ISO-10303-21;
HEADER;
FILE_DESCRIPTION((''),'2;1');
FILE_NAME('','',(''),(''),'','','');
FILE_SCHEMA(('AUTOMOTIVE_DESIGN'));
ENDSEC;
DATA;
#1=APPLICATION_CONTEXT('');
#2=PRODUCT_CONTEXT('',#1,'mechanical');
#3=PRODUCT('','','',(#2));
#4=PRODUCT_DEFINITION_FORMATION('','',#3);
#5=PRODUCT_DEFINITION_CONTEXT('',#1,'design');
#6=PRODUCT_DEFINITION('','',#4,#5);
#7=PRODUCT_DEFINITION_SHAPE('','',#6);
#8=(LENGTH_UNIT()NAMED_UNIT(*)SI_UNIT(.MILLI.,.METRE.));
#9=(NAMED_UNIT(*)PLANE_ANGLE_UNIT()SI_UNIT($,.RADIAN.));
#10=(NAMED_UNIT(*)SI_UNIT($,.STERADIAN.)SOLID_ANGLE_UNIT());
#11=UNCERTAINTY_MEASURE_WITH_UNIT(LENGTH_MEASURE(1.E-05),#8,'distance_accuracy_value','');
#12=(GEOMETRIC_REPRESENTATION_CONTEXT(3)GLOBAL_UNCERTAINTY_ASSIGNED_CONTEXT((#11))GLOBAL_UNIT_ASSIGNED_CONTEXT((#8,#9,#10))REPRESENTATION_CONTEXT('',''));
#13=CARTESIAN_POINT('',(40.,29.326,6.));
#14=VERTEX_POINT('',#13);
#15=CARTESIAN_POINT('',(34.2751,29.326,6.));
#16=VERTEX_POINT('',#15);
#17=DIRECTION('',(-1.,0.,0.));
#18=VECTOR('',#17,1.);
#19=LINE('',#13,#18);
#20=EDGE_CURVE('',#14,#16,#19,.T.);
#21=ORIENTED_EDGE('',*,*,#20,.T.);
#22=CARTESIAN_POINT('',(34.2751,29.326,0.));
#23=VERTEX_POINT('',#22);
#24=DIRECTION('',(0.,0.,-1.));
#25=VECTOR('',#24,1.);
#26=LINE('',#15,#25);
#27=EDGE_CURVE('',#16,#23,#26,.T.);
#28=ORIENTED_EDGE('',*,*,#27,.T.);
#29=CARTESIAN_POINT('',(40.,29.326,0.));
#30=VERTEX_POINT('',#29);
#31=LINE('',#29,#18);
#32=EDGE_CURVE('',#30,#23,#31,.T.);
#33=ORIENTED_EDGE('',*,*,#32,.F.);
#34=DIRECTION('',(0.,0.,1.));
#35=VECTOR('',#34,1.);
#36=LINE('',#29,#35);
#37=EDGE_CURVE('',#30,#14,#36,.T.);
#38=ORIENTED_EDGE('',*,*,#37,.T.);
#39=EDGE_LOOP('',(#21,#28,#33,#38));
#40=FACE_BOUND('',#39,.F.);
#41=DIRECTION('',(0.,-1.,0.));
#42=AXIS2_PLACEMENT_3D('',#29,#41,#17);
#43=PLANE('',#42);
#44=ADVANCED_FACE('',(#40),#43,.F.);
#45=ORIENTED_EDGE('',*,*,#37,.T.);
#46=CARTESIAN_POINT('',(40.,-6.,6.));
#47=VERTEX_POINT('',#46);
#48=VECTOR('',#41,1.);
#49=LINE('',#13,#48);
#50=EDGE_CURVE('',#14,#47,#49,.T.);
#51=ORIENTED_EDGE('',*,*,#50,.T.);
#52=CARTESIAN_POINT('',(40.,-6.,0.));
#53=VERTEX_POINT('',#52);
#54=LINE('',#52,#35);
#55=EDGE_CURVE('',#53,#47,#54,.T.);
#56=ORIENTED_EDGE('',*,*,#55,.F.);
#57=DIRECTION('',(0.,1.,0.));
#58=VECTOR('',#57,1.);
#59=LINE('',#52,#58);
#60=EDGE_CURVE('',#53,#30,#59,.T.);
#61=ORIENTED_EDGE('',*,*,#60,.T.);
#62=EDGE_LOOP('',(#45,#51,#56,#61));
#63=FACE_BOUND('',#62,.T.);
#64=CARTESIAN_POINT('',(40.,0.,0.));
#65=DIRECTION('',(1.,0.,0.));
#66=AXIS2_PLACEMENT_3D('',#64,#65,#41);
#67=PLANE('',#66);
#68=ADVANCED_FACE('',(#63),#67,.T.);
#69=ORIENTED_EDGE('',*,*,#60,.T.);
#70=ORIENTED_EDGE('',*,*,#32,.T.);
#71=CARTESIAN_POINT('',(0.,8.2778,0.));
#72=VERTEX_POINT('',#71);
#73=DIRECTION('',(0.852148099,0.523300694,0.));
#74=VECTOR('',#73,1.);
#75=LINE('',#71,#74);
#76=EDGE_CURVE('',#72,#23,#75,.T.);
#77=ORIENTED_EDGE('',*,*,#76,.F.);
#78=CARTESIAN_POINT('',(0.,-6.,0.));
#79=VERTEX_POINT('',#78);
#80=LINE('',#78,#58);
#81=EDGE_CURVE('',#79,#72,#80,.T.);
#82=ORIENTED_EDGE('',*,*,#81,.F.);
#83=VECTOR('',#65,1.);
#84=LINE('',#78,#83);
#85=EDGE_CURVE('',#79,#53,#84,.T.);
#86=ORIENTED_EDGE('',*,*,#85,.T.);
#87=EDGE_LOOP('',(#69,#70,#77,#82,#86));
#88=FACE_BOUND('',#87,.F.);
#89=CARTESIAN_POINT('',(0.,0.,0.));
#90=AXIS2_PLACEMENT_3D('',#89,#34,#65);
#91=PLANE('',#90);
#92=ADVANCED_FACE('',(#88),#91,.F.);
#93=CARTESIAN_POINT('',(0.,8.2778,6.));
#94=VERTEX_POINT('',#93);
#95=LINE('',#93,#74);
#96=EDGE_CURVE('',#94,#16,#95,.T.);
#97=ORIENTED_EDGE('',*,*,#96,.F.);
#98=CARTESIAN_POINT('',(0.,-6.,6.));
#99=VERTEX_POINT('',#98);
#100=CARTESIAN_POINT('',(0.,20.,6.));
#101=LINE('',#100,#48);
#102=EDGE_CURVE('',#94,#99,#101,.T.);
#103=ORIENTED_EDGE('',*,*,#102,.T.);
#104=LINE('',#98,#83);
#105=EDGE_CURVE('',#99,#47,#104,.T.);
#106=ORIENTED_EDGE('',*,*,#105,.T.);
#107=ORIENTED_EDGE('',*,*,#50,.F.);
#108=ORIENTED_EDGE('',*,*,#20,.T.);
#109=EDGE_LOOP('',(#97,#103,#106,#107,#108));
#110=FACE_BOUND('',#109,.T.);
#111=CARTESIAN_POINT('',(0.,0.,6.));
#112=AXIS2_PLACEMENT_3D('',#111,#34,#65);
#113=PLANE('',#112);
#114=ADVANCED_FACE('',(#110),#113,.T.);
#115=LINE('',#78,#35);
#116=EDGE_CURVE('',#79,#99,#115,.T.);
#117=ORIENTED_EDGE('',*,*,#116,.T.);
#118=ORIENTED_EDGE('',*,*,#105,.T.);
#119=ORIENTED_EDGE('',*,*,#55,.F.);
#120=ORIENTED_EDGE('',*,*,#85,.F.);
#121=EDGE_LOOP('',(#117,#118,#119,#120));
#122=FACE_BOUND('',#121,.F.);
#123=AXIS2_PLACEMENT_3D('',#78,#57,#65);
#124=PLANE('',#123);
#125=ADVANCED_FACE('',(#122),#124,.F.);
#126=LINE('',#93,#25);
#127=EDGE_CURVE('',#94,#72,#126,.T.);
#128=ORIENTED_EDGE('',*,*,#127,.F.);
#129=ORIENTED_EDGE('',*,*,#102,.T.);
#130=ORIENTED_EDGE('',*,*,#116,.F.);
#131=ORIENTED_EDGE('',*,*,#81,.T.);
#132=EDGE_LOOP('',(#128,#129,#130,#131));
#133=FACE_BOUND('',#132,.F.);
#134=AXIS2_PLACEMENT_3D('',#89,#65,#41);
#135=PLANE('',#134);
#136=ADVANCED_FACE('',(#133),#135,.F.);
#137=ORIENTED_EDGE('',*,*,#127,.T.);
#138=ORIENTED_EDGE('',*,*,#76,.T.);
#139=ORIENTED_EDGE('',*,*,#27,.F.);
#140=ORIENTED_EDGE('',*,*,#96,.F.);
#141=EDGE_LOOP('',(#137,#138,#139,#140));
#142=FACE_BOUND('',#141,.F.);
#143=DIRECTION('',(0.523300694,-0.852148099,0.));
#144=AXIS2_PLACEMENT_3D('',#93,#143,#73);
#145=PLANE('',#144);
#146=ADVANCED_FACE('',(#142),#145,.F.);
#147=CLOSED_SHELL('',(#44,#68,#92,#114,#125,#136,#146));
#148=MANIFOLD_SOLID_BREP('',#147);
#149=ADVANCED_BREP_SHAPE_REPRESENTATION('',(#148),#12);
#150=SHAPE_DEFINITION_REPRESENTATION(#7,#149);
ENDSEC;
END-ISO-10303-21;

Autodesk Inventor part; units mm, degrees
ref_plane "YZ Plane" through (0, 0, 0) normal (1, 0, 0) x (0, 1, 0)
ref_plane "XZ Plane" through (0, 0, 0) normal (0, 1, 0) x (-1, 0, 0)
ref_plane "XY Plane" through (0, 0, 0) normal (0, 0, 1) x (1, 0, 0)
sketch "Эскиз1" plane through (0, 0, 0) normal (0, 0, 1) x (1, 0, 0)
  line L0 (40, 0) -> (0, 0) projected
  line L1 (40, 0) -> (40, -6) projected
  line L2 (0, -6) -> (40, -6) projected
  line L3 (0, 0) -> (0, -6) projected
  line L4 (0, 0) -> (0, 20)
  line L5 (0, 20) -> (18.33, 29.326)
  line L6 (40, 0) -> (40, 29.326)
  line L7 (40, 29.326) -> (18.33, 29.326)
  dimension "d0" = 20
extrude "Выдавливание1" add sketch "Эскиз1" along normal blind 6
sketch "Эскиз2" plane through (0, 0, 6) normal (0, 0, 1) x (1, 0, 0)
  line L0 (0, 20) -> (0, -6) projected
  line L1 (40, 29.326) -> (18.33, 29.326) projected
  line L2 (18.33, 29.326) -> (0, 20)
  line L3 (18.33, 29.326) -> (0, 20) projected
  line L4 (0, 8.2778) -> (18.33, 29.326)
  point P0 (0, 0)
extrude "Выдавливание2" cut sketch "Эскиз2" against normal blind 6
sketch "Эскиз3" plane through (0, 0, 6) normal (0, 0, 1) x (1, 0, 0)
  line L0 (0, 8.2778) -> (0, -6) projected
  line L1 (0, 8.2778) -> (34.2751, 29.326)
  line L2 (40, 29.326) -> (18.33, 29.326) projected
  line L3 (0, 8.2778) -> (18.33, 29.326)
  line L4 (18.33, 29.326) -> (34.2751, 29.326)
  point P0 (0, 0)
extrude "Выдавливание3" cut sketch "Эскиз3" against normal blind 6
sketch "Эскиз4" plane through (0, 0, 0) normal (0, 0, -1) x (-1, 0, 0)
  point P0 (0, 0)
sketch "Эскиз5" plane through (0, 0, 0) normal (0, 0, -1) x (-1, 0, 0)
  line L0 (4.9019, -6) -> (-15.0981, -6) projected
  line L1 (0, -6) -> (-40, -6) projected
  point P0 (0, 0)
properties part number "Лепесток"
